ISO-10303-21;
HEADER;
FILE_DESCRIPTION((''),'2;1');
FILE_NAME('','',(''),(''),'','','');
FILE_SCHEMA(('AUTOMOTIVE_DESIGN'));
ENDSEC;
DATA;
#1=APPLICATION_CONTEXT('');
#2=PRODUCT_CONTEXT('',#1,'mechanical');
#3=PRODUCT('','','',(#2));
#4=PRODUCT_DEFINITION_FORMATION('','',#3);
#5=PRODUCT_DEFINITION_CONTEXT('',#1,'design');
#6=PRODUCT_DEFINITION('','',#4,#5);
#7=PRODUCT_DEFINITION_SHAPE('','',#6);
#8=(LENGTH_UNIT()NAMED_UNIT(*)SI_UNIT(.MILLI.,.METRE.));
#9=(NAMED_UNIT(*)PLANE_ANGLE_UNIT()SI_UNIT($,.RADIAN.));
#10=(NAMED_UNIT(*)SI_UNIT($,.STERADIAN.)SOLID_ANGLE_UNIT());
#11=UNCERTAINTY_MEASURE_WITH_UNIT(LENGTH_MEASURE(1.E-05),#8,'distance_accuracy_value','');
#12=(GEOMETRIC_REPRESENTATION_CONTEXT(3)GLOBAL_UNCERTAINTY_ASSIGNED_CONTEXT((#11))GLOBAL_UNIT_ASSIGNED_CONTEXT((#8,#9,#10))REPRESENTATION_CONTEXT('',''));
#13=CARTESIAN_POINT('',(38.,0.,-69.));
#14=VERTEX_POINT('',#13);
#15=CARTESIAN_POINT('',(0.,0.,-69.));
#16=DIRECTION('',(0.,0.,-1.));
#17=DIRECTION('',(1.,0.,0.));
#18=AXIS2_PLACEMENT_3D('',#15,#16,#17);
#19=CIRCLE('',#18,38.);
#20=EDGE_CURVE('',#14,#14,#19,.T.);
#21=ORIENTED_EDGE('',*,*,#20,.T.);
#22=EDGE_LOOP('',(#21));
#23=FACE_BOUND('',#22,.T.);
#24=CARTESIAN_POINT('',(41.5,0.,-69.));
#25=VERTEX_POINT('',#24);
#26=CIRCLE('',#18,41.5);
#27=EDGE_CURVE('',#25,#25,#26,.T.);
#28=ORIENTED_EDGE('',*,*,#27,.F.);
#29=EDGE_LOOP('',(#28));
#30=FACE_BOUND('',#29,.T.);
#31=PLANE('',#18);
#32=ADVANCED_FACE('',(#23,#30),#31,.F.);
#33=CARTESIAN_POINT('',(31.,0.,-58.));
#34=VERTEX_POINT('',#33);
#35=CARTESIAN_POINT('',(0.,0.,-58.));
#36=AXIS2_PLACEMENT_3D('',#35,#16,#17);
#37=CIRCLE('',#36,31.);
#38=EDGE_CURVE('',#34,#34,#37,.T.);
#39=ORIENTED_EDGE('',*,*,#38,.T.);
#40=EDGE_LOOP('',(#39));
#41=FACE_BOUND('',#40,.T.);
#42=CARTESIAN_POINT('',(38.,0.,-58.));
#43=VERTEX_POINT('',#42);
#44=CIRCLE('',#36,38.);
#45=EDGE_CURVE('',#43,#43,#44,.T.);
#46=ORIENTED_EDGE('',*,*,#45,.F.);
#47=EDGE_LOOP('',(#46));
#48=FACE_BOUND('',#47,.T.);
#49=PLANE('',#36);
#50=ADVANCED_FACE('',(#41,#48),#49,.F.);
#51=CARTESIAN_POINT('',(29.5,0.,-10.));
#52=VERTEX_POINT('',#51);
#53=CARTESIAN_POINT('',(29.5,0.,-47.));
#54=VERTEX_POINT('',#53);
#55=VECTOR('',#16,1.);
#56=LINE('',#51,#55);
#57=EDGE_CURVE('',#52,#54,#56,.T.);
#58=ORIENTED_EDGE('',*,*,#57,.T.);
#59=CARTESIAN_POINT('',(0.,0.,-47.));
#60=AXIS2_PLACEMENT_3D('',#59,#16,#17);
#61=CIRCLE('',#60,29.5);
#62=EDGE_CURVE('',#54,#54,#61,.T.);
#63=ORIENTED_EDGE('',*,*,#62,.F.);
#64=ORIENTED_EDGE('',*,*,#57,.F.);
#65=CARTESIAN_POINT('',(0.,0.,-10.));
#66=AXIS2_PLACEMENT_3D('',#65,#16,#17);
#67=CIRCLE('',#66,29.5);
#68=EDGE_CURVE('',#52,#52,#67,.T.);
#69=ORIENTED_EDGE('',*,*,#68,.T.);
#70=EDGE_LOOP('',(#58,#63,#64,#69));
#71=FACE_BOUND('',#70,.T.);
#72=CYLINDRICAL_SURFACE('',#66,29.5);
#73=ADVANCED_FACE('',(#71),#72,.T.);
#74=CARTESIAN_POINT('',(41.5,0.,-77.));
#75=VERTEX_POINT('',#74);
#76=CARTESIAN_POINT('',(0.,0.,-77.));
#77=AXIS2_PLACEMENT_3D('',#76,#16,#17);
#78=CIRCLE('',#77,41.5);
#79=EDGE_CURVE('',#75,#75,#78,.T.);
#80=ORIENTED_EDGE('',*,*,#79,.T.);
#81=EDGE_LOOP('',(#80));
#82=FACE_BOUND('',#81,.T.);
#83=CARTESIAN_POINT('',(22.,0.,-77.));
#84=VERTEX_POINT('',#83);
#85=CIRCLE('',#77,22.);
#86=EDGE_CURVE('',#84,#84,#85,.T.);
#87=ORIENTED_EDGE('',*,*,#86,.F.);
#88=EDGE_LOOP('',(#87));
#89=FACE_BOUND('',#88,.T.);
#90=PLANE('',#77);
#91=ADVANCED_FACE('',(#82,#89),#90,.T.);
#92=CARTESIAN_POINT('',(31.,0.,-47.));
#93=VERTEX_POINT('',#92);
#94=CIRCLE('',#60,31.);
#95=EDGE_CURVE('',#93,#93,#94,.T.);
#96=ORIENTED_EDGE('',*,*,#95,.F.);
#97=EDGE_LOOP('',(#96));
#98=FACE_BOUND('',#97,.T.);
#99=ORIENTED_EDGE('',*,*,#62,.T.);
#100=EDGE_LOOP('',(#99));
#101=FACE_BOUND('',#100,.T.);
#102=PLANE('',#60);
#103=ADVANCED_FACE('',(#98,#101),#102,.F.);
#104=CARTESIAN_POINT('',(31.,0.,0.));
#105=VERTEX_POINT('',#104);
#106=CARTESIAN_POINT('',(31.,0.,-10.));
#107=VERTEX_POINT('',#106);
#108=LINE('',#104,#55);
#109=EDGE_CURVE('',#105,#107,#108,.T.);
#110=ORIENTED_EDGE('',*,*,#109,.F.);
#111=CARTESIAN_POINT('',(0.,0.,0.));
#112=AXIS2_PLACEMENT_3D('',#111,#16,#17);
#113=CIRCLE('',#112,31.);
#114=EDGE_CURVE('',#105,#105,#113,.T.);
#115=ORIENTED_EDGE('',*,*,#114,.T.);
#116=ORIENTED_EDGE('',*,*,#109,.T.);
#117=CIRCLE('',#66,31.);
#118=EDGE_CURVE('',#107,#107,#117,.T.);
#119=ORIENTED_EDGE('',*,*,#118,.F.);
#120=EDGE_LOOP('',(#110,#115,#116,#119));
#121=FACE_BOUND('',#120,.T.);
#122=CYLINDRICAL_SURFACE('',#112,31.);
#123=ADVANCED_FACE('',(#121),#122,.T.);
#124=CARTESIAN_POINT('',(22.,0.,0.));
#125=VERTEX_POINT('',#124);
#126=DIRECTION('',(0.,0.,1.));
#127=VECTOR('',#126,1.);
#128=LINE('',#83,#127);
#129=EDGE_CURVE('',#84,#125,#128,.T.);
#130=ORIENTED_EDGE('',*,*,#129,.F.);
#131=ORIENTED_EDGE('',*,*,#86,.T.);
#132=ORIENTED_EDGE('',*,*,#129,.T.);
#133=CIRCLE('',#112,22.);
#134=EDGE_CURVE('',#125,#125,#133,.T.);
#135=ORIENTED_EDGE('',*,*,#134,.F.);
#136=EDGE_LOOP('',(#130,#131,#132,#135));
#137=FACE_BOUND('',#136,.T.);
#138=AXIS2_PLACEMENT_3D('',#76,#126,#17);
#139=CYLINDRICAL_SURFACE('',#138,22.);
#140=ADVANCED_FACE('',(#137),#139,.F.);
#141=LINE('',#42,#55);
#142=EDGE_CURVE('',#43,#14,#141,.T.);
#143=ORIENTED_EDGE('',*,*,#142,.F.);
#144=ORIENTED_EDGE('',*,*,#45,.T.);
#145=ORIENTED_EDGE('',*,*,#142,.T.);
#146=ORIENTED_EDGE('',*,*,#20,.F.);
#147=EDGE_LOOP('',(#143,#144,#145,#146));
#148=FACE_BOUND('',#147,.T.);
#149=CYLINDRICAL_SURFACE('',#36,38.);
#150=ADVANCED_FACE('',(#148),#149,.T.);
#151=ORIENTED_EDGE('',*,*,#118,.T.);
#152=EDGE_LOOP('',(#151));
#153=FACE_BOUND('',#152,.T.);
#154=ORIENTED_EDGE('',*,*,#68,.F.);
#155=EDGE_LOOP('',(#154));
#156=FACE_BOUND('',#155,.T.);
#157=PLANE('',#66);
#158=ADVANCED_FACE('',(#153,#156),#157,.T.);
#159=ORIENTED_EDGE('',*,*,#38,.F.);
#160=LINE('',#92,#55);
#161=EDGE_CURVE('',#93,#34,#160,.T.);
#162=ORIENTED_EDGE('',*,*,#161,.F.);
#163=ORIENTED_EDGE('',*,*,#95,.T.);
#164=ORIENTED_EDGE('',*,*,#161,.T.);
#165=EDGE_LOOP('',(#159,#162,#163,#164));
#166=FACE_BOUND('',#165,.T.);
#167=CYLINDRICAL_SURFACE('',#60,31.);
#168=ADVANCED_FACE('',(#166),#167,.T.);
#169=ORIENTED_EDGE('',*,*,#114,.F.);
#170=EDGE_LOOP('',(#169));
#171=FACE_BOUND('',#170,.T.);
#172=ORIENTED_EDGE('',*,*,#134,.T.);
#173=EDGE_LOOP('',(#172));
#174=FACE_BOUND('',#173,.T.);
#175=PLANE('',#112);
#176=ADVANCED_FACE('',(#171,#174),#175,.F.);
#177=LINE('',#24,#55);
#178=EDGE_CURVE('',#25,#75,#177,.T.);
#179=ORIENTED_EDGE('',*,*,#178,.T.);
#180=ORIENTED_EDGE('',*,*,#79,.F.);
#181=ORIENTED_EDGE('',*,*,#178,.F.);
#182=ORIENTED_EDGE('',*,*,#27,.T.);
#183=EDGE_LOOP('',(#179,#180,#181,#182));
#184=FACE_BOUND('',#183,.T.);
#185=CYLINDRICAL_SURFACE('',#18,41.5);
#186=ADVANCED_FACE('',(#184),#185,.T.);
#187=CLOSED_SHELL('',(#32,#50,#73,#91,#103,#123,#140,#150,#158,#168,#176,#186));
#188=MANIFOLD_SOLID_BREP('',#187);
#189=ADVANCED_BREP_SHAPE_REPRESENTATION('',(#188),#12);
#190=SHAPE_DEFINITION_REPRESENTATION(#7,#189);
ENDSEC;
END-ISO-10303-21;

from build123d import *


with BuildPart() as part:
    # Sketch1 → Revolve1 (revolve)
    with BuildSketch(Plane(origin=(0, 0, 0), x_dir=(1, 0, 0), z_dir=(0, 1, 0))):
        Polygon((22, 0), (31, 0), (31, 10), (29.5, 10), (29.5, 47), (31, 47), (31, 58), (38, 58), (38, 69), (41.5, 69), (41.5, 77), (22, 77), align=None)
    revolve(axis=Axis((0, 0, 0), (0, 0, -1)))


solid = part.part
